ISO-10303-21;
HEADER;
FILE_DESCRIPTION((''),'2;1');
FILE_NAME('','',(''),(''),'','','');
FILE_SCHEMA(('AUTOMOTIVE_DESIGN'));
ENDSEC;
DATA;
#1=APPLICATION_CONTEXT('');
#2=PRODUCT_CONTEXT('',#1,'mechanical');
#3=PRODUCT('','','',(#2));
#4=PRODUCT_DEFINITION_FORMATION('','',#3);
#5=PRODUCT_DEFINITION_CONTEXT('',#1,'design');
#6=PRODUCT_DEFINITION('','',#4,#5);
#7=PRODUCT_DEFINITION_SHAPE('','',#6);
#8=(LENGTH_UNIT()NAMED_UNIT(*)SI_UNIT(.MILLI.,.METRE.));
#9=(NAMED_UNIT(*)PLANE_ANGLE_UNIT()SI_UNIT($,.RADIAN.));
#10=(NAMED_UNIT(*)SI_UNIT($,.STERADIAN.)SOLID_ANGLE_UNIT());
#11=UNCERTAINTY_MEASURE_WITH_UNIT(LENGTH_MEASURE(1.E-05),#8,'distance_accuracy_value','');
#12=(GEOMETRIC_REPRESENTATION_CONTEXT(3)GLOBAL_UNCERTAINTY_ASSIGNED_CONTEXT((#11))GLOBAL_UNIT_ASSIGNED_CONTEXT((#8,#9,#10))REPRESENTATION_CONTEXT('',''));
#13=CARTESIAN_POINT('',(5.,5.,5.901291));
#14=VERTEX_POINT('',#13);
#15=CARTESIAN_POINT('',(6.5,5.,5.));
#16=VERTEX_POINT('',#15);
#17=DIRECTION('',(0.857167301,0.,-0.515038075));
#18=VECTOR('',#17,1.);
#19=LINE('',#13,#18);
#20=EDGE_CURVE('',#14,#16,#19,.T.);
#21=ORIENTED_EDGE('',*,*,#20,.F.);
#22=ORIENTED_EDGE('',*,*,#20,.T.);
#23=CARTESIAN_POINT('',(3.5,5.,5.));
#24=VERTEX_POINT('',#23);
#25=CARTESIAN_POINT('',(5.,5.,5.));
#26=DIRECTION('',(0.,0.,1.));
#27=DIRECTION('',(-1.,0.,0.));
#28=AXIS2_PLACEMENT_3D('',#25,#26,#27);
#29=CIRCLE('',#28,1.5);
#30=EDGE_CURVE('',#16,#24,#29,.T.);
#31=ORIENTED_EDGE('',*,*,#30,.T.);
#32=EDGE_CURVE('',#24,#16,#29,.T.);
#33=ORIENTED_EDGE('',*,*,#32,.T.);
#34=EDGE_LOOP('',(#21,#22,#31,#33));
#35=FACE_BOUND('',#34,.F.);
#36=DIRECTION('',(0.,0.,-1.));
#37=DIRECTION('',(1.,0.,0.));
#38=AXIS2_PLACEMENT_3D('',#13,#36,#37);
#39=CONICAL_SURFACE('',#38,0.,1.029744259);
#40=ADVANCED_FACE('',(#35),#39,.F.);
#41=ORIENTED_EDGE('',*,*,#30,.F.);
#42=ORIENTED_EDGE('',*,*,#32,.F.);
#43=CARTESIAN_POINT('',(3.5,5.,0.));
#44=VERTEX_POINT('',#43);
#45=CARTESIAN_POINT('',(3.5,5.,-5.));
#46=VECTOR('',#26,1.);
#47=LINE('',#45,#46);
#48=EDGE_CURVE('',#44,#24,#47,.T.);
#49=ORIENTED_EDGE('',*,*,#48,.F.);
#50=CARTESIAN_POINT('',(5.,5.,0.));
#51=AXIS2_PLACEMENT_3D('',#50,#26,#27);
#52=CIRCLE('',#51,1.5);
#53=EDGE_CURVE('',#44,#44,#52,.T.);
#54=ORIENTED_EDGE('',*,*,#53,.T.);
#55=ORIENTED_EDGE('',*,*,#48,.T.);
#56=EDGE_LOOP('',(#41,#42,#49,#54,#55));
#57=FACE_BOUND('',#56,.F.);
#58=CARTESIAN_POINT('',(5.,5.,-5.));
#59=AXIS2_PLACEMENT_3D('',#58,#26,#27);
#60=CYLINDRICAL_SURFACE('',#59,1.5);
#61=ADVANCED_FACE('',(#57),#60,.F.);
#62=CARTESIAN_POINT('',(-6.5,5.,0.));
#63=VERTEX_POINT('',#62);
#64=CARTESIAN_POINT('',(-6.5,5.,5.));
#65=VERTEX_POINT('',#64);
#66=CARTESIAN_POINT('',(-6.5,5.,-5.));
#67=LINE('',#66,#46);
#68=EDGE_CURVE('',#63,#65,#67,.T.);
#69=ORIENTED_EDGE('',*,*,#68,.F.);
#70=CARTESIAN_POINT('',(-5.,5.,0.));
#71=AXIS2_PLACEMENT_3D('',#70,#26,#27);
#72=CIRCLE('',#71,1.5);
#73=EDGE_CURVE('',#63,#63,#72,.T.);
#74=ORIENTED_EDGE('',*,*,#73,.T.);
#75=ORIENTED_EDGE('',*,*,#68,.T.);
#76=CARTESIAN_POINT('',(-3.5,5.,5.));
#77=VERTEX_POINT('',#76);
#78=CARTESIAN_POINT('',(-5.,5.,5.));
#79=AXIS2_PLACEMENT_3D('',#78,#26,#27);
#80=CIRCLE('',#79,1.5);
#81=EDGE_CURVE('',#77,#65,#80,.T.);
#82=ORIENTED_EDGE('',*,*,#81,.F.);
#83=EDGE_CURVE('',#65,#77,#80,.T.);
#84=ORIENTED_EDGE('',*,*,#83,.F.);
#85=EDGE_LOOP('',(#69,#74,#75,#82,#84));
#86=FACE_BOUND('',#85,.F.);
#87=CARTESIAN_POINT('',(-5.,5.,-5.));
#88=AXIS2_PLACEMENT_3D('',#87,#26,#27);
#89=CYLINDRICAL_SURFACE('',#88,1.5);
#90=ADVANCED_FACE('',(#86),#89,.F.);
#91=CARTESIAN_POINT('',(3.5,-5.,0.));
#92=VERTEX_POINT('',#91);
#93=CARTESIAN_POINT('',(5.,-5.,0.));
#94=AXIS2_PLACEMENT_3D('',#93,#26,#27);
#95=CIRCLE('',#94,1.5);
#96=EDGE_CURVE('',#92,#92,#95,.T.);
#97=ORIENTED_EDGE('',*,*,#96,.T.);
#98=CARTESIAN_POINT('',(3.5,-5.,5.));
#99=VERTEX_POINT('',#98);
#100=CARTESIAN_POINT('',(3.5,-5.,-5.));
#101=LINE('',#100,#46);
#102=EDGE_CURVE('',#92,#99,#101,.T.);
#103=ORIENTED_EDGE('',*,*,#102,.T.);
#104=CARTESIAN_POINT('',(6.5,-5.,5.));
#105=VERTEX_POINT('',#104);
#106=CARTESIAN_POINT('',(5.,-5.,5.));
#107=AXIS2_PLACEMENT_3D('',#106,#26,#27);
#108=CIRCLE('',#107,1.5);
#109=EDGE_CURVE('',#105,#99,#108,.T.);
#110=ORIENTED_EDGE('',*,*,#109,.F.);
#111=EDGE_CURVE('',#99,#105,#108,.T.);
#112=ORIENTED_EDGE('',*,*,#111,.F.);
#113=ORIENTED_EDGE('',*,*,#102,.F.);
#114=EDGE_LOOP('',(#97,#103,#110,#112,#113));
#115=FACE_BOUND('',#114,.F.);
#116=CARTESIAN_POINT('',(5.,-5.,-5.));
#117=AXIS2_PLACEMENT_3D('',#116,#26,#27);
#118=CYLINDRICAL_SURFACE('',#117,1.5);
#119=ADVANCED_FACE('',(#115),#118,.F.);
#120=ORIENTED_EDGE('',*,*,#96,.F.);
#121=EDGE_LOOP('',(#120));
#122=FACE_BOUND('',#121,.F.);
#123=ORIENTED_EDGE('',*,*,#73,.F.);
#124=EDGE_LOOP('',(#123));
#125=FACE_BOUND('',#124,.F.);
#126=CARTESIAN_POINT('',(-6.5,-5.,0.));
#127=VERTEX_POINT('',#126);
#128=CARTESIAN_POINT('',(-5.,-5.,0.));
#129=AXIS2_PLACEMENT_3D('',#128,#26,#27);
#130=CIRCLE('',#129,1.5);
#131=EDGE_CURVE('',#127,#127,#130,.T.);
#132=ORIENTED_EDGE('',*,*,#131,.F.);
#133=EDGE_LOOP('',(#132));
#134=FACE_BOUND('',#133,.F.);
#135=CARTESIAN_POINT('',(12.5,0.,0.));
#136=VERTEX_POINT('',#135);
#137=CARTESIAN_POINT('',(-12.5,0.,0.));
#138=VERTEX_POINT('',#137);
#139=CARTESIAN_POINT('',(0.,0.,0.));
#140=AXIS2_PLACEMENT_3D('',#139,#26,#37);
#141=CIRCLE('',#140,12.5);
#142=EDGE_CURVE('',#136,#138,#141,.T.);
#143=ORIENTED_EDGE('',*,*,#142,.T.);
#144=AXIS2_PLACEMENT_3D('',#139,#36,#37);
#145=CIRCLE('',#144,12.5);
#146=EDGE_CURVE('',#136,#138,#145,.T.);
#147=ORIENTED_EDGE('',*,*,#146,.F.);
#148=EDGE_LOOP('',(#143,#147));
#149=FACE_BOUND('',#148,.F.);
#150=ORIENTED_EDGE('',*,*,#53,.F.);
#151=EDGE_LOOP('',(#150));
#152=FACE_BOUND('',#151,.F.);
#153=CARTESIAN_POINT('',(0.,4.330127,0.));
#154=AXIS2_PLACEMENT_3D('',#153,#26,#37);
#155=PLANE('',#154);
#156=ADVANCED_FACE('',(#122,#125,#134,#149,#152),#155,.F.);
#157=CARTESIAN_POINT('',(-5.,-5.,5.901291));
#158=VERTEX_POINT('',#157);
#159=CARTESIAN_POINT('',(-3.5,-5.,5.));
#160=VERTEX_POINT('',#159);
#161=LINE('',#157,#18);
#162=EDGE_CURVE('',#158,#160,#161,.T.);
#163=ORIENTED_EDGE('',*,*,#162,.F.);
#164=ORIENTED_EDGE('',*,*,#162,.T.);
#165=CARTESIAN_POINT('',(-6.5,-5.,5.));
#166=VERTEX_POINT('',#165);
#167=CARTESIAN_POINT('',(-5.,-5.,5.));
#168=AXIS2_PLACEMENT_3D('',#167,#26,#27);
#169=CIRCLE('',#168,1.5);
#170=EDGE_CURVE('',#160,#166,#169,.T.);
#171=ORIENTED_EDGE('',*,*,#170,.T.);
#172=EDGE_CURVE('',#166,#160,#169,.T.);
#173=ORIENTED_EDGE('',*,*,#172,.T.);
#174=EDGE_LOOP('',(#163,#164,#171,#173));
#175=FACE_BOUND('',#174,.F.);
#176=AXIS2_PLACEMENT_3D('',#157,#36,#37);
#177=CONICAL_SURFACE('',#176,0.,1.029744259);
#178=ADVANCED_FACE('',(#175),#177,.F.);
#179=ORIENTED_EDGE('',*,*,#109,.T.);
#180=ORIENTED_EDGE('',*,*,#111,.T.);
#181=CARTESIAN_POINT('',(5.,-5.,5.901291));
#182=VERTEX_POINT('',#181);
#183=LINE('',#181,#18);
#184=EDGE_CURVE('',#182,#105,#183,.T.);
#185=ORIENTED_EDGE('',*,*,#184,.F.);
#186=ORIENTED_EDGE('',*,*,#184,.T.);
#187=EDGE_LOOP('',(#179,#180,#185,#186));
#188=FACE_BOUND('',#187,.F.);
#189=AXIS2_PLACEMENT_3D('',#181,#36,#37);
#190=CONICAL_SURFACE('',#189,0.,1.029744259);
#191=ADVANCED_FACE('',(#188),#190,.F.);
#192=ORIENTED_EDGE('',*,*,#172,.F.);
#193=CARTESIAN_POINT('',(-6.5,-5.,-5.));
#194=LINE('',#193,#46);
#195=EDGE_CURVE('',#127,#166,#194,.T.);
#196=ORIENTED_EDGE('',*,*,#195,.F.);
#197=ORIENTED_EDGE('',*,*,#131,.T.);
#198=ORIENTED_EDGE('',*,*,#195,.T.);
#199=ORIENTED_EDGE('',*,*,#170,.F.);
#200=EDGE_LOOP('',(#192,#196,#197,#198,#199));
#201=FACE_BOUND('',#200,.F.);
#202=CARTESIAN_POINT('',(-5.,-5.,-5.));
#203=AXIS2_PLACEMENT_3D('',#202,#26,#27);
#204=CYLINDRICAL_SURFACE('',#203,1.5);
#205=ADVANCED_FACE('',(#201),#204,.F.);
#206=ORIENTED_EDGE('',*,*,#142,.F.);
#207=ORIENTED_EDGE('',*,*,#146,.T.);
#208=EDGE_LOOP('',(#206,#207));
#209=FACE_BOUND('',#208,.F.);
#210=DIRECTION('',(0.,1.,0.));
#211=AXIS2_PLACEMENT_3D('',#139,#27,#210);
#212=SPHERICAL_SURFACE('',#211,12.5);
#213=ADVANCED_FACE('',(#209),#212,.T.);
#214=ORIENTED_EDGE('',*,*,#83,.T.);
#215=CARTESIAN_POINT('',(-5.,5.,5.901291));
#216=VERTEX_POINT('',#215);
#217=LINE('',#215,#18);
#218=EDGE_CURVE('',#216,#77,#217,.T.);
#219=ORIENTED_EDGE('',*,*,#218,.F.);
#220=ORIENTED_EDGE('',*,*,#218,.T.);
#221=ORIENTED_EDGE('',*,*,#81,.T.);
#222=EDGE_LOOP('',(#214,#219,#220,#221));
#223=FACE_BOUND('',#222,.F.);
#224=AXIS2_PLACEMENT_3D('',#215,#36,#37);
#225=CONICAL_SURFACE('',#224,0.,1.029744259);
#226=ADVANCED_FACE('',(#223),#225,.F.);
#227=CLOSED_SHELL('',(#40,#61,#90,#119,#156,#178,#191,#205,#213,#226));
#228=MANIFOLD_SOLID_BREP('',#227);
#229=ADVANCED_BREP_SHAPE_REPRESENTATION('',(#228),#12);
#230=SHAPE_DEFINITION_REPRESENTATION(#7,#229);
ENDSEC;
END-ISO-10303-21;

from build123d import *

# Parameters (mm, degrees)
F1_ANGLE = 180
F3_D     = 3
F3_DEPTH = 5
F3_TIP   = 0.9012909285


with BuildPart() as f1:
    # F0 (on Top) → F1 (revolve)
    with BuildSketch(Plane.XY):
        with BuildLine():
            Line((-12.5, 0), (12.5, 0))
            ThreePointArc((12.5, 0), (0, 12.5), (-12.5, 0))
        make_face()
    revolve(axis=Axis((0, 0, 0), (1, 0, 0)), revolution_arc=F1_ANGLE)

    # F3
    with Locations(Plane(origin=(0, 0, 0), x_dir=(1, 0, 0), z_dir=(0, 0, -1))):
        with Locations((-5, 5), (5, 5), (5, -5), (-5, -5)):
            Hole(F3_D / 2, depth=F3_DEPTH)
            with Locations((0, 0, -(F3_DEPTH + F3_TIP / 2))):  # 118° drill point
                Cone(0, F3_D / 2, F3_TIP, mode=Mode.SUBTRACT)


solid = f1.part
